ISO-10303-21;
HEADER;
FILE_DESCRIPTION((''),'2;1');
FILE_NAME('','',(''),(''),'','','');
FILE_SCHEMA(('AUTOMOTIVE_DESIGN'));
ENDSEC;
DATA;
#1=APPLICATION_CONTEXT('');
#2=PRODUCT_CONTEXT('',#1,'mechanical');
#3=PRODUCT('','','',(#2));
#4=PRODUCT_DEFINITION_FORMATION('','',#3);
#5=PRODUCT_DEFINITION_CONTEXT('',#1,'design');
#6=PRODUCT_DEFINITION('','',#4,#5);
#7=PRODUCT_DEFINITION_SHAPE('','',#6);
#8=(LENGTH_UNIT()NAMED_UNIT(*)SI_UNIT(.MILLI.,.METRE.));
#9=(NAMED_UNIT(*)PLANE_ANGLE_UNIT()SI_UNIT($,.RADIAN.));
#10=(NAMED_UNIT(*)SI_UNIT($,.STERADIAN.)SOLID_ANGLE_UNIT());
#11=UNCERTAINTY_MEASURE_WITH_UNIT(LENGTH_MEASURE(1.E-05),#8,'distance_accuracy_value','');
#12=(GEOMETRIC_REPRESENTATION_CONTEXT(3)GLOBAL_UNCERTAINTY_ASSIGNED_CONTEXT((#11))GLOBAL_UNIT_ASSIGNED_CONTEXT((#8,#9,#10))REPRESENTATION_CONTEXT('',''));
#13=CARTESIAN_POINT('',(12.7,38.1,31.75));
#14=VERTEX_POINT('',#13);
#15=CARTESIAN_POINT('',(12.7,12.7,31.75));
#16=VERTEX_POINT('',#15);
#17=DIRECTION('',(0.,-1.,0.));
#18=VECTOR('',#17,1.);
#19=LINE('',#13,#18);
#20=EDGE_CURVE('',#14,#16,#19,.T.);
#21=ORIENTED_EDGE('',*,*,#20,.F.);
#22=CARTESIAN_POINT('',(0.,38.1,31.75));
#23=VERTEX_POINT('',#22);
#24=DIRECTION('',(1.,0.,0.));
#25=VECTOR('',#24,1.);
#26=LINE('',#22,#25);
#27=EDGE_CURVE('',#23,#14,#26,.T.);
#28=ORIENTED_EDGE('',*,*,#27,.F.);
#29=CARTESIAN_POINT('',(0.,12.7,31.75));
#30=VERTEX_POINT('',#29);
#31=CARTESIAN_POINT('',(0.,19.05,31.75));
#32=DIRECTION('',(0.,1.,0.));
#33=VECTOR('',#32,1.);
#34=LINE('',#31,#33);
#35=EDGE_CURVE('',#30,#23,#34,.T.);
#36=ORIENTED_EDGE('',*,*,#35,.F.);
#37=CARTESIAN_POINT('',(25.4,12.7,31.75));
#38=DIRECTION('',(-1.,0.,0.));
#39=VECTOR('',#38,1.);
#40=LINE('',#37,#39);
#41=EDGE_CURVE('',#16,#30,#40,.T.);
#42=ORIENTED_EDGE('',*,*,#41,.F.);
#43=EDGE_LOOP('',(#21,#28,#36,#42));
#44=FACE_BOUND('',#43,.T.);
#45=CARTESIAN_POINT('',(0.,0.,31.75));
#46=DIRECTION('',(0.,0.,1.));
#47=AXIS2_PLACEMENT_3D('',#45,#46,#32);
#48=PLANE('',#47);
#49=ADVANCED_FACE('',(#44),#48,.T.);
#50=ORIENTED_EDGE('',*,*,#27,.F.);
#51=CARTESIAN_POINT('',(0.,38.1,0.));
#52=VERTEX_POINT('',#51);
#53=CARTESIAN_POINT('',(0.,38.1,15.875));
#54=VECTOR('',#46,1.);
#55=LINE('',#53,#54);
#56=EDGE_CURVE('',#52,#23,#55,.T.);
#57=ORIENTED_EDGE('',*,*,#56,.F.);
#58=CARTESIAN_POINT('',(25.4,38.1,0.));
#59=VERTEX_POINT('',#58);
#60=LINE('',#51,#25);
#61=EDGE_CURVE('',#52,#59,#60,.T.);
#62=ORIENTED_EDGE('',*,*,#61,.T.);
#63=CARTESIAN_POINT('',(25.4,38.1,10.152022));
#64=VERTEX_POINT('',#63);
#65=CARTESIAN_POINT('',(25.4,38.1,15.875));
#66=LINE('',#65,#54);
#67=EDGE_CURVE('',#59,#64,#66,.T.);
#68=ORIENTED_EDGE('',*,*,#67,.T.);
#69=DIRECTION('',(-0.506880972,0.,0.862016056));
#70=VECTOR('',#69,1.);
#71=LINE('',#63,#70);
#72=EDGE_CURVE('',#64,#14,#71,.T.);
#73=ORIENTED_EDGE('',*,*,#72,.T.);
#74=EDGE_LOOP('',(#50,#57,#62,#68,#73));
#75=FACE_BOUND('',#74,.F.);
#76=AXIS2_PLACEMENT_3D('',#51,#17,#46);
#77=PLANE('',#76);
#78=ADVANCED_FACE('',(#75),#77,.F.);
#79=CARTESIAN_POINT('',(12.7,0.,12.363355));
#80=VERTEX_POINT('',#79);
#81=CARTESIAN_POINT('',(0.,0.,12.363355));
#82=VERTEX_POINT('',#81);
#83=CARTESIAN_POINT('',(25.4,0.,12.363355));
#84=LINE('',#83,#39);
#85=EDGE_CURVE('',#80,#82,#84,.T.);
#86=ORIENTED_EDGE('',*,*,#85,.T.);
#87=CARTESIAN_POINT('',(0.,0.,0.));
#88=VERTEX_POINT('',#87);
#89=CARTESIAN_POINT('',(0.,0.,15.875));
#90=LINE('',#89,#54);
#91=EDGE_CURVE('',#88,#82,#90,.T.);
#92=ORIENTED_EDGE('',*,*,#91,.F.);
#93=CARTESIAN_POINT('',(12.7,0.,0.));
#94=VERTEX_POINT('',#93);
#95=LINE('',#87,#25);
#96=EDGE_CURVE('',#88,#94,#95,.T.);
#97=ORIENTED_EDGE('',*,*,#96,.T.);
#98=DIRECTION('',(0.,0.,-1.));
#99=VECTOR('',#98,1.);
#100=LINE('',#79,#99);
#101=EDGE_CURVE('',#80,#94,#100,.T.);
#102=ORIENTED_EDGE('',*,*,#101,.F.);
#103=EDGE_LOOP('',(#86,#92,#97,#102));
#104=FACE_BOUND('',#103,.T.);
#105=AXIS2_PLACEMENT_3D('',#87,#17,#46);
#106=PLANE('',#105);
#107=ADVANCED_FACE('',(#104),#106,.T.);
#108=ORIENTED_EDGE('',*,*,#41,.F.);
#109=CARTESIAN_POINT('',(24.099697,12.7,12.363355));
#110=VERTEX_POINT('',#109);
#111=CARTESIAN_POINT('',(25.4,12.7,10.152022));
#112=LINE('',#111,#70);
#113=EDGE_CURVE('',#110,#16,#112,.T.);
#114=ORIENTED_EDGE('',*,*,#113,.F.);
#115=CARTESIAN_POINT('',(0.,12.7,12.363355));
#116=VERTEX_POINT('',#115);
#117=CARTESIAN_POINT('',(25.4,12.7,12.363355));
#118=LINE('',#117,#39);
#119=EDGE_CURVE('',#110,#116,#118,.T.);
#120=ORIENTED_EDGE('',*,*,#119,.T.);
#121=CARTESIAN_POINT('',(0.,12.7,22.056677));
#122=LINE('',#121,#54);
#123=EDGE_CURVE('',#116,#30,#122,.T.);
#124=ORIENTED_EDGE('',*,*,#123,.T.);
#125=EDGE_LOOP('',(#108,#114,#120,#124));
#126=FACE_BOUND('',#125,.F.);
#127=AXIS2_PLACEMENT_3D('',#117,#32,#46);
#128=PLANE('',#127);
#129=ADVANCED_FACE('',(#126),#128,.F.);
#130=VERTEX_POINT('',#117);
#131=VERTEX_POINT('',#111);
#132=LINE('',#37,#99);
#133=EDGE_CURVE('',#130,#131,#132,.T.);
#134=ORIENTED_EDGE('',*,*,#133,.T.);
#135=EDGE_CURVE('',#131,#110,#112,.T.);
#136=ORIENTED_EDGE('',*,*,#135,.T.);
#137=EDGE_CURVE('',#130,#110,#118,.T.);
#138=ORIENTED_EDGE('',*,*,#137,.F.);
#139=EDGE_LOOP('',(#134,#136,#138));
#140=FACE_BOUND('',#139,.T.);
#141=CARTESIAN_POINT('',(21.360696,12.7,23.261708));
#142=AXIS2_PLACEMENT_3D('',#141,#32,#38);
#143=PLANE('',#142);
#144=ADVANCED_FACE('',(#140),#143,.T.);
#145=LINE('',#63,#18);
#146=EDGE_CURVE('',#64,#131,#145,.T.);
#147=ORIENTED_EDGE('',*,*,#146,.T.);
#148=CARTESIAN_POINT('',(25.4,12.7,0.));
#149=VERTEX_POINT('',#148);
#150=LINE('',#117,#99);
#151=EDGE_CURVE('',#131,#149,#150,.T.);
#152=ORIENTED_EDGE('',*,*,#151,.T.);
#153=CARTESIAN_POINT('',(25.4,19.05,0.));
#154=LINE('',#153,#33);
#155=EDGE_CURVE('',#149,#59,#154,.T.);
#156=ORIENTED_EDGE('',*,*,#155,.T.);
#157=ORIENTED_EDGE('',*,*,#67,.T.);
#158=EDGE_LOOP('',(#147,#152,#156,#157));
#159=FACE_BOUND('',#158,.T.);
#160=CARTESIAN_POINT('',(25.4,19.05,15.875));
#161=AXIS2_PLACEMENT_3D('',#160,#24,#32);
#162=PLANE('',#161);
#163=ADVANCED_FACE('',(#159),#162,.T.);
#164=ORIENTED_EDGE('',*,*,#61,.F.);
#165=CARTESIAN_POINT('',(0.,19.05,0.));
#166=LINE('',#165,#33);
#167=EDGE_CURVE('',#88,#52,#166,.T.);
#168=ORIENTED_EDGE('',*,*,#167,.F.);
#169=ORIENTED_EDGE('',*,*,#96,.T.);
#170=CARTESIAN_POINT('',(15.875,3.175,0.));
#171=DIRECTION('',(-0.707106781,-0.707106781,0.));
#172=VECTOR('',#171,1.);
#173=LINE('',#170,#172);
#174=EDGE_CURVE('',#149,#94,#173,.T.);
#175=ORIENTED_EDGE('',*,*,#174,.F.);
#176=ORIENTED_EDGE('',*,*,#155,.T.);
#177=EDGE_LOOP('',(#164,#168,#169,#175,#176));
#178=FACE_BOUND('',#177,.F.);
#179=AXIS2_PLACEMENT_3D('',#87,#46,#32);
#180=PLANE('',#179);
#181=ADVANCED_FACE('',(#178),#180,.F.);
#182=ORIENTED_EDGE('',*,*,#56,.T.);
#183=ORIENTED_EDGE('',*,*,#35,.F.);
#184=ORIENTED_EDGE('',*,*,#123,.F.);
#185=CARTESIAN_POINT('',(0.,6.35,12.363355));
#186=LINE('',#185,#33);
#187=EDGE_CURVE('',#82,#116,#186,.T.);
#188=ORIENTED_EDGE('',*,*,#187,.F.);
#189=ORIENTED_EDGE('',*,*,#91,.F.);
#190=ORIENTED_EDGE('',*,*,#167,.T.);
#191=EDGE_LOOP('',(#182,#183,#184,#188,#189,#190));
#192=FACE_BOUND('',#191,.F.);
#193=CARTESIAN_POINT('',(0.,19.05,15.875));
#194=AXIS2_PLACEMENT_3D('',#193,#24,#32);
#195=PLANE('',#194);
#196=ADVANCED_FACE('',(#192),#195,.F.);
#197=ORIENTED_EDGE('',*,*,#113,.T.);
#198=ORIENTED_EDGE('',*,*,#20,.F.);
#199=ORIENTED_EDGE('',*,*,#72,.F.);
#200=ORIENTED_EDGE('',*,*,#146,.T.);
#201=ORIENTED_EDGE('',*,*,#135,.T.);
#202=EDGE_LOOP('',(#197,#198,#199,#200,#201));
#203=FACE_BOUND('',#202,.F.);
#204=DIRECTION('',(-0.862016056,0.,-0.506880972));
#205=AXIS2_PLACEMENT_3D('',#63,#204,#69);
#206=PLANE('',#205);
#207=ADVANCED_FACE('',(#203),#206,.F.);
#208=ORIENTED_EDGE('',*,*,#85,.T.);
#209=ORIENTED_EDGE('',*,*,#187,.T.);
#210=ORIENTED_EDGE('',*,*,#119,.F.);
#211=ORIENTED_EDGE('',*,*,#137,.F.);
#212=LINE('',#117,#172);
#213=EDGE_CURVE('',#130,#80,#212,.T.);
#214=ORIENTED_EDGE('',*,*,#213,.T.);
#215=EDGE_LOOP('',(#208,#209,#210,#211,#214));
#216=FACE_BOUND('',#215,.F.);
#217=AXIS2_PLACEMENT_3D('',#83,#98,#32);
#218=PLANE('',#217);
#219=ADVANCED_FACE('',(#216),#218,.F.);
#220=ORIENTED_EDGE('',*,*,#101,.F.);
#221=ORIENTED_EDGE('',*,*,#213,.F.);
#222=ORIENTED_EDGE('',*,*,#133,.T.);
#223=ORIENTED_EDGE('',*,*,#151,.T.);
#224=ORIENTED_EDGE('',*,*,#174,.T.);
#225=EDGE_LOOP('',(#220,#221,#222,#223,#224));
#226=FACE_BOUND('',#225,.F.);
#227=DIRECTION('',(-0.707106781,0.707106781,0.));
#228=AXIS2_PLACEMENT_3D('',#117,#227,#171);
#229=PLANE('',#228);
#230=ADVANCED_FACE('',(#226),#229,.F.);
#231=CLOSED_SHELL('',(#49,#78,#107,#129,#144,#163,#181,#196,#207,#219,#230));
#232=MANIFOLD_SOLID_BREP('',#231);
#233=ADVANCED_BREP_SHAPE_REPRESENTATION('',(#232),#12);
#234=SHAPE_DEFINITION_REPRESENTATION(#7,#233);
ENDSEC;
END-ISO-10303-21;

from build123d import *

# Parameters (mm, degrees)
F0_W     = 38.1
F0_H     = 31.75
F1_DEPTH = 25.4
F2_W     = 12.7
F2_H     = 19.3866453245
F3_DEPTH = 25.4
F5_DEPTH = 25.4
F7_DEPTH = 25.4


with BuildPart() as f1:
    # F0 (on Right) → F1 (new body)
    with BuildSketch(Plane.YZ):
        with Locations((19.05, 15.875)):
            Rectangle(F0_W, F0_H)
    extrude(amount=F1_DEPTH)

    # F2 (on face) → F3 (cut)
    with BuildSketch(Plane.YZ.offset(25.4)):
        with Locations((6.35, 22.0566773377)):
            Rectangle(F2_W, F2_H)
    extrude(amount=-F3_DEPTH, mode=Mode.SUBTRACT)

    # F4 (on face) → F5 (cut)
    with BuildSketch(Plane(origin=(0, 38.1, 0), x_dir=(-1, 0, 0), z_dir=(0, 1, 0))):
        Polygon((-25.4, 10.1520223543), (-12.7, 31.75), (-25.4, 31.75), align=None)
    extrude(amount=-F5_DEPTH, mode=Mode.SUBTRACT)

    # F6 (on face) → F7 (cut)
    with BuildSketch(Plane.XY.offset(12.3633546755)):
        Polygon((25.4, 0), (25.4, 12.7), (12.7, 0), align=None)
    extrude(amount=-F7_DEPTH, mode=Mode.SUBTRACT)


solid = f1.part
